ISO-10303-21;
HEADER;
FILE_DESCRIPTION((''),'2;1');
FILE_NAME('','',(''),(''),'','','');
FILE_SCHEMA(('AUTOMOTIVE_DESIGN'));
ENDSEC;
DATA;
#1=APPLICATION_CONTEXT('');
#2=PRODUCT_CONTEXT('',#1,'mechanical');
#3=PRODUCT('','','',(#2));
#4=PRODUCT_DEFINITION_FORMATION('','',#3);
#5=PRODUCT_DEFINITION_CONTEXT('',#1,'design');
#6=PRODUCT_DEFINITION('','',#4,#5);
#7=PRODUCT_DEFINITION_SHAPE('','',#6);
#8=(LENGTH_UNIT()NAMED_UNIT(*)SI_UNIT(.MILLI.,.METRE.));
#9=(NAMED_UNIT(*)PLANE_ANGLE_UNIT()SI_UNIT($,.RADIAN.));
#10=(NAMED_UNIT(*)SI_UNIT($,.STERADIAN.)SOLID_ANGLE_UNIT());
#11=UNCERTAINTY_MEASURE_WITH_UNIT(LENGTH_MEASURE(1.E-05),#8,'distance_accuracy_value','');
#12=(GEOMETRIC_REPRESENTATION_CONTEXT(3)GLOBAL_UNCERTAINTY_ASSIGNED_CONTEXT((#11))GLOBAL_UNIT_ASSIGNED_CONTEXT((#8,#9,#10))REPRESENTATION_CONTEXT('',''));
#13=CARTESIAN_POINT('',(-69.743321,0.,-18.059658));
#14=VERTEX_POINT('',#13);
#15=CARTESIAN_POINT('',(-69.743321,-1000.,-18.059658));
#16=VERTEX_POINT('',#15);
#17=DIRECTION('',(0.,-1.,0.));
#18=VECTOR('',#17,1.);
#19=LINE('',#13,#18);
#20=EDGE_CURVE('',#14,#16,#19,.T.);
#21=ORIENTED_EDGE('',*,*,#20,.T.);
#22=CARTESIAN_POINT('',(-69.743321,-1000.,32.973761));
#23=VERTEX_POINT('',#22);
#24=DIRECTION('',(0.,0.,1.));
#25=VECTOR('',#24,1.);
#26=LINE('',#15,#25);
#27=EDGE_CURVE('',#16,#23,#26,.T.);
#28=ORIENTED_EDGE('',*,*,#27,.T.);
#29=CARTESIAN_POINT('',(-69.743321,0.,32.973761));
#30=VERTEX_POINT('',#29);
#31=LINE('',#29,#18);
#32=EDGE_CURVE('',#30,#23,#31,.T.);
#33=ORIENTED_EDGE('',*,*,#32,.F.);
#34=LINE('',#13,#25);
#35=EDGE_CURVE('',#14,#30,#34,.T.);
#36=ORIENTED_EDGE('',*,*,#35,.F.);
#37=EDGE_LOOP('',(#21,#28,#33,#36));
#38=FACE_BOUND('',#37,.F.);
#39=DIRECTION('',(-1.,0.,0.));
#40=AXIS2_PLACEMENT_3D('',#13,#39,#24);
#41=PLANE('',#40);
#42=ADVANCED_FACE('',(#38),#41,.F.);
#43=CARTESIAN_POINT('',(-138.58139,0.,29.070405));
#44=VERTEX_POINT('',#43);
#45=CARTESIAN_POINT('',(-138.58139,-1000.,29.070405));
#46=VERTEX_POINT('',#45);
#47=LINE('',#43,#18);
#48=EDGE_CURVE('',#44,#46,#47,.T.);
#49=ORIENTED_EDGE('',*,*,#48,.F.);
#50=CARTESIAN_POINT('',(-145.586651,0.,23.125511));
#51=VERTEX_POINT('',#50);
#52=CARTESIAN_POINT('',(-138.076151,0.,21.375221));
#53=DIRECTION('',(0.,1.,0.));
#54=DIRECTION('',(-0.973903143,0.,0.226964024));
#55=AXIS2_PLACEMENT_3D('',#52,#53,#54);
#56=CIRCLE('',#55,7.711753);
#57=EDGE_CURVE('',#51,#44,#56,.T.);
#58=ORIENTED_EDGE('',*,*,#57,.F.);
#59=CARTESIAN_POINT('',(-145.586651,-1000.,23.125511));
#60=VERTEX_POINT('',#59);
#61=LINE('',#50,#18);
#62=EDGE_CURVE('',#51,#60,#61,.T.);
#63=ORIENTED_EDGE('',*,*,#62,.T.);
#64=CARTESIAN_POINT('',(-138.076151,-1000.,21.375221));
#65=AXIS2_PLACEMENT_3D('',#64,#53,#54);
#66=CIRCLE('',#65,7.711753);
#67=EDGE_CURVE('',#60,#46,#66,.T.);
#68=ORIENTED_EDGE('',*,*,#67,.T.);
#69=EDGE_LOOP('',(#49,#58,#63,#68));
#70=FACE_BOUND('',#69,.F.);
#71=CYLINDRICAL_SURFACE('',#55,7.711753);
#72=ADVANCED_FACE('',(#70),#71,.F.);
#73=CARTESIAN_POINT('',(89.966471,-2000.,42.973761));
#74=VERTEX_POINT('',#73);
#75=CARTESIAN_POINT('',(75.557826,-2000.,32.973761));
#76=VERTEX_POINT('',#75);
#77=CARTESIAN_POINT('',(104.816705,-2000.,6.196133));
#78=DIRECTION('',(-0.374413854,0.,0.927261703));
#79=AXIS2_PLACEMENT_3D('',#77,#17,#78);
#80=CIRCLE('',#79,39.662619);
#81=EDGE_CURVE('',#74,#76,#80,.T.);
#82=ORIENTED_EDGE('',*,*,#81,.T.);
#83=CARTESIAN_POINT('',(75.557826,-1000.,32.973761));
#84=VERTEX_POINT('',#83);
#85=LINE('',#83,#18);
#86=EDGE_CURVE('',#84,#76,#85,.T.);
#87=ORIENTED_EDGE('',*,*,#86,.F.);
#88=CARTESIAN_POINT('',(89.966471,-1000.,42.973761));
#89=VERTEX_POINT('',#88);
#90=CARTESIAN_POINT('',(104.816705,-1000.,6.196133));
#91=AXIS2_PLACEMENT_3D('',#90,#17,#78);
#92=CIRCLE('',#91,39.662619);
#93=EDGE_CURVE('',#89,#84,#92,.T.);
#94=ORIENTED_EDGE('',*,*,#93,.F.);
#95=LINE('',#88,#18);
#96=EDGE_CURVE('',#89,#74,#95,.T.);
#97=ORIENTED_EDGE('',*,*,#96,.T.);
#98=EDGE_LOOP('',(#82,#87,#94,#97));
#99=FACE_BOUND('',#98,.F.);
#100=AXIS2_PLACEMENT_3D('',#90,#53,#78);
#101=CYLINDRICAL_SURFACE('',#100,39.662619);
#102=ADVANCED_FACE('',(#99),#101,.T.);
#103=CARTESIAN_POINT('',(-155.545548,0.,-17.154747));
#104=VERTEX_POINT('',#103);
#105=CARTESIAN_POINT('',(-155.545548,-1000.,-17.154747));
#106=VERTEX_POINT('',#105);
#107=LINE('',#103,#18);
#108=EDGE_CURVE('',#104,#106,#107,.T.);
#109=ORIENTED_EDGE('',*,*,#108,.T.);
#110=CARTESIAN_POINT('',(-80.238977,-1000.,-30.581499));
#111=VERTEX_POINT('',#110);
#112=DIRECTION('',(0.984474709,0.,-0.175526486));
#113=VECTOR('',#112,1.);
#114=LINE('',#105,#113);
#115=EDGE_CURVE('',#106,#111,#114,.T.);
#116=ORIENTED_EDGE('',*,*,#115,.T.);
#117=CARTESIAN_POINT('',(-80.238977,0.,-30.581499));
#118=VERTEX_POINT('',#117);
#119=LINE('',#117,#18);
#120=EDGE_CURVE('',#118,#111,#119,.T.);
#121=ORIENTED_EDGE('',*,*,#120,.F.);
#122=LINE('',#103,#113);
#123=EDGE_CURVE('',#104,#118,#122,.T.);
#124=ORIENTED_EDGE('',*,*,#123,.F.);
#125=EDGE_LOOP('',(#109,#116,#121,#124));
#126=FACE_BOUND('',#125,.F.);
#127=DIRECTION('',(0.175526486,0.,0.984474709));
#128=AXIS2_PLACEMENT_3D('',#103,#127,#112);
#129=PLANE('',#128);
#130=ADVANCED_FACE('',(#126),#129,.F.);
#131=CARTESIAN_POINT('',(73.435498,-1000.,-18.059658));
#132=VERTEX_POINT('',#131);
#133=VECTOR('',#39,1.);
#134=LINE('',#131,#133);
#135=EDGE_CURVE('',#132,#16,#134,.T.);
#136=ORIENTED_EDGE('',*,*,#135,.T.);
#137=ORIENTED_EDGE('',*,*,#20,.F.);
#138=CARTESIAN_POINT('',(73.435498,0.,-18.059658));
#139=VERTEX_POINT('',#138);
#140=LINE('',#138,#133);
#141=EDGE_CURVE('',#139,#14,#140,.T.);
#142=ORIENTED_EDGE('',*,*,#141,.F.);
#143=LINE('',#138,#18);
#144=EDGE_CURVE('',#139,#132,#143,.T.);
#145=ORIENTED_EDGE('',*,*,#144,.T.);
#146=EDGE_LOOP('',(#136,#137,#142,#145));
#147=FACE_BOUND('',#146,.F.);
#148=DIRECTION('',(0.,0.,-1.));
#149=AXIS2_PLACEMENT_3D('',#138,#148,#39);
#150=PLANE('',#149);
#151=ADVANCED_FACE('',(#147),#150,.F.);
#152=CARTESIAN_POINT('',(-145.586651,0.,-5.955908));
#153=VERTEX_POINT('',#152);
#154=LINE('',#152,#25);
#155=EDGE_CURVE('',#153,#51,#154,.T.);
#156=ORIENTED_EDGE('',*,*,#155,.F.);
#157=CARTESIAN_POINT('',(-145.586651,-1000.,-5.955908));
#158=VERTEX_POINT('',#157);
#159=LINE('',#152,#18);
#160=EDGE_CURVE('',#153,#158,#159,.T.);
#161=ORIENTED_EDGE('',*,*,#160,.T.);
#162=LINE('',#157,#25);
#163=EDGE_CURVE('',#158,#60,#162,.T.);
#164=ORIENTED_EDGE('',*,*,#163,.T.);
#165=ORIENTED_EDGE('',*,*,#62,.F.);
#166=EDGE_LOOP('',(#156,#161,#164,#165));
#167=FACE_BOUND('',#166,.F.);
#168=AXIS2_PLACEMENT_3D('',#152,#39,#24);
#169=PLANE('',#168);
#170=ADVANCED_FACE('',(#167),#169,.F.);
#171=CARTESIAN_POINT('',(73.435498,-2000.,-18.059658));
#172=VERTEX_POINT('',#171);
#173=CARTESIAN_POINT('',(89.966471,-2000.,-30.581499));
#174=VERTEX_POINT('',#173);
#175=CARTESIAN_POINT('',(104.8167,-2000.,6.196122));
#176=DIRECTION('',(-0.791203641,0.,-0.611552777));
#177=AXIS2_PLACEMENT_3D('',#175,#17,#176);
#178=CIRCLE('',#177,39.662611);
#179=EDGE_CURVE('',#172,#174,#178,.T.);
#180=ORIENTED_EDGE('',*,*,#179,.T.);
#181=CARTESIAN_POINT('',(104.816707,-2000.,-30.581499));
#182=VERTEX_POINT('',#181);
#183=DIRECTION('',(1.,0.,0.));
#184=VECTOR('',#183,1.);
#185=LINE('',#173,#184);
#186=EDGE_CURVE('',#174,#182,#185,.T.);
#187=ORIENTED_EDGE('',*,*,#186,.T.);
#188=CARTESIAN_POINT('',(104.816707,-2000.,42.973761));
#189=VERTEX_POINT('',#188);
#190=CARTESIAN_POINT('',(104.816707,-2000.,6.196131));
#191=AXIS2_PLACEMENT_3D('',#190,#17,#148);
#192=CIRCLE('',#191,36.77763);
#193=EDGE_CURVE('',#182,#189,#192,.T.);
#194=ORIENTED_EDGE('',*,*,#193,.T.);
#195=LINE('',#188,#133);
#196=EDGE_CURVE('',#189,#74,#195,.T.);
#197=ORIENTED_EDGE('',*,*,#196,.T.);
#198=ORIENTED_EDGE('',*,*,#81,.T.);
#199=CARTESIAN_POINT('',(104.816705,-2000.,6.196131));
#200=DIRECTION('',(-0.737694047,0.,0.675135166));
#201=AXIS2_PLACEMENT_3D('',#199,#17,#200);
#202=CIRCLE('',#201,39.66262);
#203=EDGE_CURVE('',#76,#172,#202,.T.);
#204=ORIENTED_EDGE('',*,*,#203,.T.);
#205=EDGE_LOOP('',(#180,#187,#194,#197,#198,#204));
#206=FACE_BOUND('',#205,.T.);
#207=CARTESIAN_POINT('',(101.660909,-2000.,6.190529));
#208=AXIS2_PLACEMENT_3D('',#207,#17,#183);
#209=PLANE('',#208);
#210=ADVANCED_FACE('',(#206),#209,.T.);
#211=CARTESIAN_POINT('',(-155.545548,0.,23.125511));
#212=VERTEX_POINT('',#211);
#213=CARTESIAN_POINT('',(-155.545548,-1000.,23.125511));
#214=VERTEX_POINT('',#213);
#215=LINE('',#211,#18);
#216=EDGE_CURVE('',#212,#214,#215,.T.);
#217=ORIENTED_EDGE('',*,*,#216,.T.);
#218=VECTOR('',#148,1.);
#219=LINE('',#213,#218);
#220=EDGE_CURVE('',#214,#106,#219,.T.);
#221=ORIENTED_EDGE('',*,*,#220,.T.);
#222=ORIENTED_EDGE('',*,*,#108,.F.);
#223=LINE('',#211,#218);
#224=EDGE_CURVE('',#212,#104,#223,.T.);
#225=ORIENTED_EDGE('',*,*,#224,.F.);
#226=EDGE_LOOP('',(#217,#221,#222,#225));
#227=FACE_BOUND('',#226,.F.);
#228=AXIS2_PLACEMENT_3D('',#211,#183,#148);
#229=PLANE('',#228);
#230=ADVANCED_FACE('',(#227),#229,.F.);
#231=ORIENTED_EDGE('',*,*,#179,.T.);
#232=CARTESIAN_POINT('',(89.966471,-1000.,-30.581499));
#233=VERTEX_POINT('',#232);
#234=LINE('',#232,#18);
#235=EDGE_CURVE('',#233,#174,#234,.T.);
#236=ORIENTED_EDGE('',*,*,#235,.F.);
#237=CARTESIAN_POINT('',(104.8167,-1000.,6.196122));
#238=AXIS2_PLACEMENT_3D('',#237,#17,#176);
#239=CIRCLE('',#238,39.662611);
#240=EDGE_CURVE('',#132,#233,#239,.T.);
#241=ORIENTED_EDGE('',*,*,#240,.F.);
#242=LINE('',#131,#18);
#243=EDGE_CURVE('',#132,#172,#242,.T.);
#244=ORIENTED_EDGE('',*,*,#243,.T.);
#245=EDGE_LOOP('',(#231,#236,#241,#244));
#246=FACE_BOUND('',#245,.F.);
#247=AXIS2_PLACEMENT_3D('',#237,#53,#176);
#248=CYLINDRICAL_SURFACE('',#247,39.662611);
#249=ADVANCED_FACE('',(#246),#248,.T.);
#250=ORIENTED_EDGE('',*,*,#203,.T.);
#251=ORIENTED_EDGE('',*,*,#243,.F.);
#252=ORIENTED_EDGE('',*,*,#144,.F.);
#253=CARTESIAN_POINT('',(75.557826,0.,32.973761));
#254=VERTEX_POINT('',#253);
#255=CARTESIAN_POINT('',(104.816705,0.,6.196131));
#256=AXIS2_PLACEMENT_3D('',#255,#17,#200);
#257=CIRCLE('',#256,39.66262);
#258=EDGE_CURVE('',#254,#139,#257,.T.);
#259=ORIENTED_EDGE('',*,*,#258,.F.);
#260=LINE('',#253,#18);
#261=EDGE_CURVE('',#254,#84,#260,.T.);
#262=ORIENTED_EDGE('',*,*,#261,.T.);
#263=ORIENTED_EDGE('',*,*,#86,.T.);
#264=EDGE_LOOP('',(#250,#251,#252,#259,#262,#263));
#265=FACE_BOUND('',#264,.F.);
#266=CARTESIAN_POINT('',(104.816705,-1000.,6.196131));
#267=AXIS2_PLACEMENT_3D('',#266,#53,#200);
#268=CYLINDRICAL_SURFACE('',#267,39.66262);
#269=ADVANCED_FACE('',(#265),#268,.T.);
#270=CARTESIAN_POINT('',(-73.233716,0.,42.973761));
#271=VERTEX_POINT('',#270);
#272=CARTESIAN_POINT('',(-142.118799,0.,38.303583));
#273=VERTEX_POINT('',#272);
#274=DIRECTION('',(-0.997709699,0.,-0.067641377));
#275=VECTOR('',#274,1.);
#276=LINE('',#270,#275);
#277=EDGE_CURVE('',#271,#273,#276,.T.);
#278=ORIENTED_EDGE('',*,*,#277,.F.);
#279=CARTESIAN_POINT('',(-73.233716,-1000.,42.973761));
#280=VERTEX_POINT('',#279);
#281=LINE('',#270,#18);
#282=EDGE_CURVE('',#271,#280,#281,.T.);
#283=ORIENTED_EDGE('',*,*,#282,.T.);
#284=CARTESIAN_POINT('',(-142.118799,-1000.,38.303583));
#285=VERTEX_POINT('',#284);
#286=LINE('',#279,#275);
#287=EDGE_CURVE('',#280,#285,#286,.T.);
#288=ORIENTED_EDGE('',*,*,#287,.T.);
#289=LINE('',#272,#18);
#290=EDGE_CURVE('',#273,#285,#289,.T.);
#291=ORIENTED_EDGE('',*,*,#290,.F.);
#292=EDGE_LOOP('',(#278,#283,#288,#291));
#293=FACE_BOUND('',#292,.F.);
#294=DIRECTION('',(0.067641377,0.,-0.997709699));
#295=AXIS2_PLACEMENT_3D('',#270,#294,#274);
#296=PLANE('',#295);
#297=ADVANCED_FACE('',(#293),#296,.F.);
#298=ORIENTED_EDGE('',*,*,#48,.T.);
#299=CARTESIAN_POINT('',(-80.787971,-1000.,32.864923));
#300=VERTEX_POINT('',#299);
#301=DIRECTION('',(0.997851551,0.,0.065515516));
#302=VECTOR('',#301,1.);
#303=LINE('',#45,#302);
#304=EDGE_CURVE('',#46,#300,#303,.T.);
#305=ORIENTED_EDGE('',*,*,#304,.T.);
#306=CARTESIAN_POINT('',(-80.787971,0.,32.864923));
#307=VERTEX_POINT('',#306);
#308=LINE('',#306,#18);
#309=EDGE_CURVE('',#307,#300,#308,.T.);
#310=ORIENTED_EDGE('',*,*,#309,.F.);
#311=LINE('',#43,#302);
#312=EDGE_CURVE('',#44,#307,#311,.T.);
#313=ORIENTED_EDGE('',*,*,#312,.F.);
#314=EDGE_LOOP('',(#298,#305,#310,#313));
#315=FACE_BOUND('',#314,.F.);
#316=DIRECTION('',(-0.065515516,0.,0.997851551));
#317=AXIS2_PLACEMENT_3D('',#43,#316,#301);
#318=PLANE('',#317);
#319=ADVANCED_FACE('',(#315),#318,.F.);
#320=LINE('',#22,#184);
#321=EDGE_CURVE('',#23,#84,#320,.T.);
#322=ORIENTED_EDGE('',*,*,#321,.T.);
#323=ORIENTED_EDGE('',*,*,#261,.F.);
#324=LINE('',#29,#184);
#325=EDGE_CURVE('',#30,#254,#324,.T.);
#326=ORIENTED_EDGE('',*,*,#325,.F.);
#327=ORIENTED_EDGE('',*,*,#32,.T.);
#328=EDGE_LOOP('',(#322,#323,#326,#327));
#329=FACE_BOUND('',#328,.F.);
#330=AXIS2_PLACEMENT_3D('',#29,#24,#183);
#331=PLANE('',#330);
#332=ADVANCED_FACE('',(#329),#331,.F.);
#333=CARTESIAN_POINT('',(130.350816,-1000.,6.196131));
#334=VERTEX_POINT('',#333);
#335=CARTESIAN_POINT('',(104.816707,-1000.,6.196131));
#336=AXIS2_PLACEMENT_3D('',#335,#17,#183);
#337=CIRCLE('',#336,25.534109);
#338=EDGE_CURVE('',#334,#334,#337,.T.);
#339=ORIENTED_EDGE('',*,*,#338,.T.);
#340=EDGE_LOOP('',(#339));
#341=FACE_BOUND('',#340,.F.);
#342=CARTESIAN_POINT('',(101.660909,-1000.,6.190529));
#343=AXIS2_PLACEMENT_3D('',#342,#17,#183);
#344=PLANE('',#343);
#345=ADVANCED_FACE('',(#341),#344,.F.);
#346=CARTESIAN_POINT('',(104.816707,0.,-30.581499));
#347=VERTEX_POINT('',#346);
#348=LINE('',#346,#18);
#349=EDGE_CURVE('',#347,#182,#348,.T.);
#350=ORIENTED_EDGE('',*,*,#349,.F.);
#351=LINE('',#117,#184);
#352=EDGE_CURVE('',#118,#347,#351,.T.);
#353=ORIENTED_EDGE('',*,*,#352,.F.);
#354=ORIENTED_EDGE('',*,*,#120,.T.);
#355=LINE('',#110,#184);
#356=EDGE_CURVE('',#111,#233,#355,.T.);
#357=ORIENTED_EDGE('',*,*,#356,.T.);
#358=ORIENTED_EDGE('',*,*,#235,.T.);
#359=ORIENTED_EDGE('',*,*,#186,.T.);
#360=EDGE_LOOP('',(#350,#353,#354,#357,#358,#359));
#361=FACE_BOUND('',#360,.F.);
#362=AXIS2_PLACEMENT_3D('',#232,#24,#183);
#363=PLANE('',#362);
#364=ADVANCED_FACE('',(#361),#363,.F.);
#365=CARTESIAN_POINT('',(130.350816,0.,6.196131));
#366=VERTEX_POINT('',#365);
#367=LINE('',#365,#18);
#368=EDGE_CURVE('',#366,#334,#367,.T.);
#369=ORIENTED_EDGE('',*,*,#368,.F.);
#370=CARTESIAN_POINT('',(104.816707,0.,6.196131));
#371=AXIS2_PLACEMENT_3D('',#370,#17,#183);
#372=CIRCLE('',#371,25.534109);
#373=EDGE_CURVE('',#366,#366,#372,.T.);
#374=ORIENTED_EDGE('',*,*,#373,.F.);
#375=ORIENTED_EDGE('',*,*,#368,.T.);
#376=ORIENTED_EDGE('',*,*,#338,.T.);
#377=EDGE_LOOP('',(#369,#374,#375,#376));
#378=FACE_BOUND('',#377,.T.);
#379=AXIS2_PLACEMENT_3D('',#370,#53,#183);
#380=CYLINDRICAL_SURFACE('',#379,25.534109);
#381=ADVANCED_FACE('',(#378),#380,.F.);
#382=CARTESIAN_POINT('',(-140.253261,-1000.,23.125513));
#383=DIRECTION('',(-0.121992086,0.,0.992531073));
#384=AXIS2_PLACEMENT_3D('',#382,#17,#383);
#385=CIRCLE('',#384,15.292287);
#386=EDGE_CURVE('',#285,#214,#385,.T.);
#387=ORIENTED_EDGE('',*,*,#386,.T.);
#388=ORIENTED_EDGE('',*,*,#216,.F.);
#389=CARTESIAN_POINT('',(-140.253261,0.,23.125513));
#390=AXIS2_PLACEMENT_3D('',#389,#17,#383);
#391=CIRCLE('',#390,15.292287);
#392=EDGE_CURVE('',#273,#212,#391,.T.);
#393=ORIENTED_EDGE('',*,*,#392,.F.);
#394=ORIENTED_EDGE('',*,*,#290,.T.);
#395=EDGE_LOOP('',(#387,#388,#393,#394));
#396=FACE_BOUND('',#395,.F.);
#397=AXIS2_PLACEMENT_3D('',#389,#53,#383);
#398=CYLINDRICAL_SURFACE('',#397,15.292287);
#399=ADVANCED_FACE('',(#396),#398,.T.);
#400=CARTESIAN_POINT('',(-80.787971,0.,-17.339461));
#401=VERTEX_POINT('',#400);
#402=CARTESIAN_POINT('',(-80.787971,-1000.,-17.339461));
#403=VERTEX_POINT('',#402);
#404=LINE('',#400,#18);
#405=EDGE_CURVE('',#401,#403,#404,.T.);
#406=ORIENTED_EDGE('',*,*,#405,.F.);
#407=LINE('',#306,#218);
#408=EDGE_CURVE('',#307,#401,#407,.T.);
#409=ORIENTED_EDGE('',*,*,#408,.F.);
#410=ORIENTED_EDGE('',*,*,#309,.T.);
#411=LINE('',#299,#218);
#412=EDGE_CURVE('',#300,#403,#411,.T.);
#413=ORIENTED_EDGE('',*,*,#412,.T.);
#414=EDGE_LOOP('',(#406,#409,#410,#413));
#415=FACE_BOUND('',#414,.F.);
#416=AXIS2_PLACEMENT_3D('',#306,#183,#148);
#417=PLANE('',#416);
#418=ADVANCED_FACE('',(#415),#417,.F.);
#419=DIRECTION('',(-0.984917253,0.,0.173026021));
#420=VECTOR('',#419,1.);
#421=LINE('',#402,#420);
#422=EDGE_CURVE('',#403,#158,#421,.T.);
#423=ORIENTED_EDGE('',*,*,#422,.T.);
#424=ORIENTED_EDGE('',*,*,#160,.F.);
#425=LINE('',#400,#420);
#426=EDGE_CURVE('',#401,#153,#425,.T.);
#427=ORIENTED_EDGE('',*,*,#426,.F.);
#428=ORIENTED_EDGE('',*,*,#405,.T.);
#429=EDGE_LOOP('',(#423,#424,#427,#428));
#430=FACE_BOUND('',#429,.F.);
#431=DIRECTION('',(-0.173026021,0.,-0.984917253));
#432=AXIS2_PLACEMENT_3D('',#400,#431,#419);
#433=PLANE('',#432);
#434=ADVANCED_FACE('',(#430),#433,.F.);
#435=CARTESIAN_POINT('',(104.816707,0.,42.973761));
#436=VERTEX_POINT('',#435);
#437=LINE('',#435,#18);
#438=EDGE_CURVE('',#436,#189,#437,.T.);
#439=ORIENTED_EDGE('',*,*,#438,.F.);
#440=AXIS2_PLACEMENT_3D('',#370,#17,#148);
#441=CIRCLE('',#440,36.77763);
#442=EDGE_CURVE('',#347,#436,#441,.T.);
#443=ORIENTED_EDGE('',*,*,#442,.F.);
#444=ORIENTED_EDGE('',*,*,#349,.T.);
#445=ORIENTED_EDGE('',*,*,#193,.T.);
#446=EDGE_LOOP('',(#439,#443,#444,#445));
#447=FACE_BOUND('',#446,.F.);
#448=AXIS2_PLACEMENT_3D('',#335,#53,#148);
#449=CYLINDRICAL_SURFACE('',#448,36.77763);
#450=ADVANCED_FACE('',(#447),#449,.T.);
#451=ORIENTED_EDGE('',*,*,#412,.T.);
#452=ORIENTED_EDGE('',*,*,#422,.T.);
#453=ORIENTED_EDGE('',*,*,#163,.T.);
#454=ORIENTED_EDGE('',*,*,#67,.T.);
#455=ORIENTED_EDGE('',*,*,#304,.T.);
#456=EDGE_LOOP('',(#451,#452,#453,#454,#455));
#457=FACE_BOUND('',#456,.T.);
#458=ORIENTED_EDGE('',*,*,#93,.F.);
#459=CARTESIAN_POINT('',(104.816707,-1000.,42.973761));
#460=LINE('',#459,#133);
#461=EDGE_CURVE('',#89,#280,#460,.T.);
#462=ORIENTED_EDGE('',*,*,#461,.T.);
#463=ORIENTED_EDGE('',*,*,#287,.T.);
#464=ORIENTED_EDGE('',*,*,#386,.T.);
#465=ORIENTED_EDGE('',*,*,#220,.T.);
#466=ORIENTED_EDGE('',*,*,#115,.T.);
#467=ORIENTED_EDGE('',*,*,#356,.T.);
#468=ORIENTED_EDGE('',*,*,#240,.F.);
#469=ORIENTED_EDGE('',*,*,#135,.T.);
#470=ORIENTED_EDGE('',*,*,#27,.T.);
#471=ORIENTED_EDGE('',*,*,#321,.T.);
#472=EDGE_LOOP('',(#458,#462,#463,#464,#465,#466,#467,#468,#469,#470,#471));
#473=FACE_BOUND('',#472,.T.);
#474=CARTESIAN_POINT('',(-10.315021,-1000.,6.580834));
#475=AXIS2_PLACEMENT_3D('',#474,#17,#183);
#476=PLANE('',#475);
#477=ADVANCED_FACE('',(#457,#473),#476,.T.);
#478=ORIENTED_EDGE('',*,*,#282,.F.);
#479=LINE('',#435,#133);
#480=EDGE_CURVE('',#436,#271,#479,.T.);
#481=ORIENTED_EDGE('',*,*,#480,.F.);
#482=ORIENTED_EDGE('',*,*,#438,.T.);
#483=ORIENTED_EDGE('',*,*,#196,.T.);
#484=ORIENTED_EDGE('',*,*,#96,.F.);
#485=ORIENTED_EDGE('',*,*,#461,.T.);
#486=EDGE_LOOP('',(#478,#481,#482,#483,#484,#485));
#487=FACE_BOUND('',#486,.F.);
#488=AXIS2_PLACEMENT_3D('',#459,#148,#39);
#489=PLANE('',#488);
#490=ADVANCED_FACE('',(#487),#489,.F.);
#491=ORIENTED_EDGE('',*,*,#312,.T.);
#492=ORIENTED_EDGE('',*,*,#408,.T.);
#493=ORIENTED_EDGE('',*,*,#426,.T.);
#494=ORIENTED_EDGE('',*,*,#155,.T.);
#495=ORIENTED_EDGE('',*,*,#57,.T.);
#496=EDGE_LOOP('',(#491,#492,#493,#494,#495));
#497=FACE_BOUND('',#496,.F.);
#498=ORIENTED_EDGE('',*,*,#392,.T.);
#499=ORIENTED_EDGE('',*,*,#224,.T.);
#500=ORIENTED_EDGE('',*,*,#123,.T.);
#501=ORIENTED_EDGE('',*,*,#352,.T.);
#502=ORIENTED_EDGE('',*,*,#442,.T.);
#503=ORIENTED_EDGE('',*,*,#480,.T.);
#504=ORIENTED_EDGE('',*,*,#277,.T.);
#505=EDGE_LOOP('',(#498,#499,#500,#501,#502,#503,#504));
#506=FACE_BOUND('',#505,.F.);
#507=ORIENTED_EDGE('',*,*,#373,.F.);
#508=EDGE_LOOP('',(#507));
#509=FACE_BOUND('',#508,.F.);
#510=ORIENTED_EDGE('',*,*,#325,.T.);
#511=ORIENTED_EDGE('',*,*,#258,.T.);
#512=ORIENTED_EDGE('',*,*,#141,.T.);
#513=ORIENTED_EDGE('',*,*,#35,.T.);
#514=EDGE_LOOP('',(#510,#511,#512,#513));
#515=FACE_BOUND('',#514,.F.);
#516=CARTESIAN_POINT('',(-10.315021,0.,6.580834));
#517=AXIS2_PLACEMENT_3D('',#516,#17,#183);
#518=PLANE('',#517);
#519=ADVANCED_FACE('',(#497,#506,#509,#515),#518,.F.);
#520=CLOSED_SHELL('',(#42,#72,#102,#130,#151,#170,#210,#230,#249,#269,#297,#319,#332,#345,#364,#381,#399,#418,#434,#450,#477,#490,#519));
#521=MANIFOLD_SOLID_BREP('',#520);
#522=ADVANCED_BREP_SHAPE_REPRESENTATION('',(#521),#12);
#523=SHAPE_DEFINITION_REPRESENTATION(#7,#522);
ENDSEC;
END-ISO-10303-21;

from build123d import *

# Parameters (mm, degrees)
F0_R     = 25.534109
F1_DEPTH = 1000
F2_R     = 25.534109
F3_DEPTH = 1000


with BuildPart() as f1:
    # F0 (on Front) → F1 (new body)
    with BuildSketch(Plane.XZ):
        with BuildLine():
            Line((104.816707, 42.973761), (-73.233716, 42.973761))
            Line((-73.233716, 42.973761), (-142.118799, 38.303583))
            ThreePointArc((-142.118799, 38.303583), (-151.707134, 33.25778), (-155.545548, 23.125511))
            Line((-155.545548, 23.125511), (-155.545548, -17.154747))
            Line((-155.545548, -17.154747), (-80.238977, -30.581499))
            Line((-80.238977, -30.581499), (104.816707, -30.581499))
            ThreePointArc((104.816707, -30.581499), (141.594337, 6.196131), (104.816707, 42.973761))
        make_face()
        with Locations((104.816707, 6.196131)):
            Circle(F0_R, mode=Mode.SUBTRACT)
        with BuildLine():
            Line((-145.586651, -5.955908), (-145.586651, 23.125511))
            ThreePointArc((-145.586651, 23.125511), (-143.065987, 27.255073), (-138.58139, 29.070405))
            Line((-138.58139, 29.070405), (-80.787971, 32.864923))
            Line((-80.787971, 32.864923), (-80.787971, -17.339461))
            Line((-80.787971, -17.339461), (-145.586651, -5.955908))
        make_face(mode=Mode.SUBTRACT)
        with BuildLine():
            Line((-69.743321, 32.973761), (75.557826, 32.973761))
            ThreePointArc((75.557826, 32.973761), (65.188338, 7.844157), (73.435498, -18.059658))
            Line((73.435498, -18.059658), (-69.743321, -18.059658))
            Line((-69.743321, -18.059658), (-69.743321, 32.973761))
        make_face(mode=Mode.SUBTRACT)
    extrude(amount=F1_DEPTH)

    # F2 (on face) → F3 (join)
    with BuildSketch(Plane.XZ.offset(1000)):
        with BuildLine():
            Line((89.966471, -30.581499), (104.816707, -30.581499))
            ThreePointArc((104.816707, -30.581499), (141.594337, 6.196131), (104.816707, 42.973761))
            Line((104.816707, 42.973761), (89.966471, 42.973761))
            ThreePointArc((89.966471, 42.973761), (82.202474, 38.780177), (75.557826, 32.973761))
            ThreePointArc((75.557826, 32.973761), (65.188338, 7.844157), (73.435498, -18.059658))
            ThreePointArc((73.435498, -18.059658), (80.8681, -25.420128), (89.966471, -30.581499))
        make_face()
        with Locations((104.816707, 6.196131)):
            Circle(F2_R, mode=Mode.SUBTRACT)
        with Locations((104.816707, 6.196131)):
            Circle(F2_R)
    extrude(amount=F3_DEPTH)


solid = f1.part
